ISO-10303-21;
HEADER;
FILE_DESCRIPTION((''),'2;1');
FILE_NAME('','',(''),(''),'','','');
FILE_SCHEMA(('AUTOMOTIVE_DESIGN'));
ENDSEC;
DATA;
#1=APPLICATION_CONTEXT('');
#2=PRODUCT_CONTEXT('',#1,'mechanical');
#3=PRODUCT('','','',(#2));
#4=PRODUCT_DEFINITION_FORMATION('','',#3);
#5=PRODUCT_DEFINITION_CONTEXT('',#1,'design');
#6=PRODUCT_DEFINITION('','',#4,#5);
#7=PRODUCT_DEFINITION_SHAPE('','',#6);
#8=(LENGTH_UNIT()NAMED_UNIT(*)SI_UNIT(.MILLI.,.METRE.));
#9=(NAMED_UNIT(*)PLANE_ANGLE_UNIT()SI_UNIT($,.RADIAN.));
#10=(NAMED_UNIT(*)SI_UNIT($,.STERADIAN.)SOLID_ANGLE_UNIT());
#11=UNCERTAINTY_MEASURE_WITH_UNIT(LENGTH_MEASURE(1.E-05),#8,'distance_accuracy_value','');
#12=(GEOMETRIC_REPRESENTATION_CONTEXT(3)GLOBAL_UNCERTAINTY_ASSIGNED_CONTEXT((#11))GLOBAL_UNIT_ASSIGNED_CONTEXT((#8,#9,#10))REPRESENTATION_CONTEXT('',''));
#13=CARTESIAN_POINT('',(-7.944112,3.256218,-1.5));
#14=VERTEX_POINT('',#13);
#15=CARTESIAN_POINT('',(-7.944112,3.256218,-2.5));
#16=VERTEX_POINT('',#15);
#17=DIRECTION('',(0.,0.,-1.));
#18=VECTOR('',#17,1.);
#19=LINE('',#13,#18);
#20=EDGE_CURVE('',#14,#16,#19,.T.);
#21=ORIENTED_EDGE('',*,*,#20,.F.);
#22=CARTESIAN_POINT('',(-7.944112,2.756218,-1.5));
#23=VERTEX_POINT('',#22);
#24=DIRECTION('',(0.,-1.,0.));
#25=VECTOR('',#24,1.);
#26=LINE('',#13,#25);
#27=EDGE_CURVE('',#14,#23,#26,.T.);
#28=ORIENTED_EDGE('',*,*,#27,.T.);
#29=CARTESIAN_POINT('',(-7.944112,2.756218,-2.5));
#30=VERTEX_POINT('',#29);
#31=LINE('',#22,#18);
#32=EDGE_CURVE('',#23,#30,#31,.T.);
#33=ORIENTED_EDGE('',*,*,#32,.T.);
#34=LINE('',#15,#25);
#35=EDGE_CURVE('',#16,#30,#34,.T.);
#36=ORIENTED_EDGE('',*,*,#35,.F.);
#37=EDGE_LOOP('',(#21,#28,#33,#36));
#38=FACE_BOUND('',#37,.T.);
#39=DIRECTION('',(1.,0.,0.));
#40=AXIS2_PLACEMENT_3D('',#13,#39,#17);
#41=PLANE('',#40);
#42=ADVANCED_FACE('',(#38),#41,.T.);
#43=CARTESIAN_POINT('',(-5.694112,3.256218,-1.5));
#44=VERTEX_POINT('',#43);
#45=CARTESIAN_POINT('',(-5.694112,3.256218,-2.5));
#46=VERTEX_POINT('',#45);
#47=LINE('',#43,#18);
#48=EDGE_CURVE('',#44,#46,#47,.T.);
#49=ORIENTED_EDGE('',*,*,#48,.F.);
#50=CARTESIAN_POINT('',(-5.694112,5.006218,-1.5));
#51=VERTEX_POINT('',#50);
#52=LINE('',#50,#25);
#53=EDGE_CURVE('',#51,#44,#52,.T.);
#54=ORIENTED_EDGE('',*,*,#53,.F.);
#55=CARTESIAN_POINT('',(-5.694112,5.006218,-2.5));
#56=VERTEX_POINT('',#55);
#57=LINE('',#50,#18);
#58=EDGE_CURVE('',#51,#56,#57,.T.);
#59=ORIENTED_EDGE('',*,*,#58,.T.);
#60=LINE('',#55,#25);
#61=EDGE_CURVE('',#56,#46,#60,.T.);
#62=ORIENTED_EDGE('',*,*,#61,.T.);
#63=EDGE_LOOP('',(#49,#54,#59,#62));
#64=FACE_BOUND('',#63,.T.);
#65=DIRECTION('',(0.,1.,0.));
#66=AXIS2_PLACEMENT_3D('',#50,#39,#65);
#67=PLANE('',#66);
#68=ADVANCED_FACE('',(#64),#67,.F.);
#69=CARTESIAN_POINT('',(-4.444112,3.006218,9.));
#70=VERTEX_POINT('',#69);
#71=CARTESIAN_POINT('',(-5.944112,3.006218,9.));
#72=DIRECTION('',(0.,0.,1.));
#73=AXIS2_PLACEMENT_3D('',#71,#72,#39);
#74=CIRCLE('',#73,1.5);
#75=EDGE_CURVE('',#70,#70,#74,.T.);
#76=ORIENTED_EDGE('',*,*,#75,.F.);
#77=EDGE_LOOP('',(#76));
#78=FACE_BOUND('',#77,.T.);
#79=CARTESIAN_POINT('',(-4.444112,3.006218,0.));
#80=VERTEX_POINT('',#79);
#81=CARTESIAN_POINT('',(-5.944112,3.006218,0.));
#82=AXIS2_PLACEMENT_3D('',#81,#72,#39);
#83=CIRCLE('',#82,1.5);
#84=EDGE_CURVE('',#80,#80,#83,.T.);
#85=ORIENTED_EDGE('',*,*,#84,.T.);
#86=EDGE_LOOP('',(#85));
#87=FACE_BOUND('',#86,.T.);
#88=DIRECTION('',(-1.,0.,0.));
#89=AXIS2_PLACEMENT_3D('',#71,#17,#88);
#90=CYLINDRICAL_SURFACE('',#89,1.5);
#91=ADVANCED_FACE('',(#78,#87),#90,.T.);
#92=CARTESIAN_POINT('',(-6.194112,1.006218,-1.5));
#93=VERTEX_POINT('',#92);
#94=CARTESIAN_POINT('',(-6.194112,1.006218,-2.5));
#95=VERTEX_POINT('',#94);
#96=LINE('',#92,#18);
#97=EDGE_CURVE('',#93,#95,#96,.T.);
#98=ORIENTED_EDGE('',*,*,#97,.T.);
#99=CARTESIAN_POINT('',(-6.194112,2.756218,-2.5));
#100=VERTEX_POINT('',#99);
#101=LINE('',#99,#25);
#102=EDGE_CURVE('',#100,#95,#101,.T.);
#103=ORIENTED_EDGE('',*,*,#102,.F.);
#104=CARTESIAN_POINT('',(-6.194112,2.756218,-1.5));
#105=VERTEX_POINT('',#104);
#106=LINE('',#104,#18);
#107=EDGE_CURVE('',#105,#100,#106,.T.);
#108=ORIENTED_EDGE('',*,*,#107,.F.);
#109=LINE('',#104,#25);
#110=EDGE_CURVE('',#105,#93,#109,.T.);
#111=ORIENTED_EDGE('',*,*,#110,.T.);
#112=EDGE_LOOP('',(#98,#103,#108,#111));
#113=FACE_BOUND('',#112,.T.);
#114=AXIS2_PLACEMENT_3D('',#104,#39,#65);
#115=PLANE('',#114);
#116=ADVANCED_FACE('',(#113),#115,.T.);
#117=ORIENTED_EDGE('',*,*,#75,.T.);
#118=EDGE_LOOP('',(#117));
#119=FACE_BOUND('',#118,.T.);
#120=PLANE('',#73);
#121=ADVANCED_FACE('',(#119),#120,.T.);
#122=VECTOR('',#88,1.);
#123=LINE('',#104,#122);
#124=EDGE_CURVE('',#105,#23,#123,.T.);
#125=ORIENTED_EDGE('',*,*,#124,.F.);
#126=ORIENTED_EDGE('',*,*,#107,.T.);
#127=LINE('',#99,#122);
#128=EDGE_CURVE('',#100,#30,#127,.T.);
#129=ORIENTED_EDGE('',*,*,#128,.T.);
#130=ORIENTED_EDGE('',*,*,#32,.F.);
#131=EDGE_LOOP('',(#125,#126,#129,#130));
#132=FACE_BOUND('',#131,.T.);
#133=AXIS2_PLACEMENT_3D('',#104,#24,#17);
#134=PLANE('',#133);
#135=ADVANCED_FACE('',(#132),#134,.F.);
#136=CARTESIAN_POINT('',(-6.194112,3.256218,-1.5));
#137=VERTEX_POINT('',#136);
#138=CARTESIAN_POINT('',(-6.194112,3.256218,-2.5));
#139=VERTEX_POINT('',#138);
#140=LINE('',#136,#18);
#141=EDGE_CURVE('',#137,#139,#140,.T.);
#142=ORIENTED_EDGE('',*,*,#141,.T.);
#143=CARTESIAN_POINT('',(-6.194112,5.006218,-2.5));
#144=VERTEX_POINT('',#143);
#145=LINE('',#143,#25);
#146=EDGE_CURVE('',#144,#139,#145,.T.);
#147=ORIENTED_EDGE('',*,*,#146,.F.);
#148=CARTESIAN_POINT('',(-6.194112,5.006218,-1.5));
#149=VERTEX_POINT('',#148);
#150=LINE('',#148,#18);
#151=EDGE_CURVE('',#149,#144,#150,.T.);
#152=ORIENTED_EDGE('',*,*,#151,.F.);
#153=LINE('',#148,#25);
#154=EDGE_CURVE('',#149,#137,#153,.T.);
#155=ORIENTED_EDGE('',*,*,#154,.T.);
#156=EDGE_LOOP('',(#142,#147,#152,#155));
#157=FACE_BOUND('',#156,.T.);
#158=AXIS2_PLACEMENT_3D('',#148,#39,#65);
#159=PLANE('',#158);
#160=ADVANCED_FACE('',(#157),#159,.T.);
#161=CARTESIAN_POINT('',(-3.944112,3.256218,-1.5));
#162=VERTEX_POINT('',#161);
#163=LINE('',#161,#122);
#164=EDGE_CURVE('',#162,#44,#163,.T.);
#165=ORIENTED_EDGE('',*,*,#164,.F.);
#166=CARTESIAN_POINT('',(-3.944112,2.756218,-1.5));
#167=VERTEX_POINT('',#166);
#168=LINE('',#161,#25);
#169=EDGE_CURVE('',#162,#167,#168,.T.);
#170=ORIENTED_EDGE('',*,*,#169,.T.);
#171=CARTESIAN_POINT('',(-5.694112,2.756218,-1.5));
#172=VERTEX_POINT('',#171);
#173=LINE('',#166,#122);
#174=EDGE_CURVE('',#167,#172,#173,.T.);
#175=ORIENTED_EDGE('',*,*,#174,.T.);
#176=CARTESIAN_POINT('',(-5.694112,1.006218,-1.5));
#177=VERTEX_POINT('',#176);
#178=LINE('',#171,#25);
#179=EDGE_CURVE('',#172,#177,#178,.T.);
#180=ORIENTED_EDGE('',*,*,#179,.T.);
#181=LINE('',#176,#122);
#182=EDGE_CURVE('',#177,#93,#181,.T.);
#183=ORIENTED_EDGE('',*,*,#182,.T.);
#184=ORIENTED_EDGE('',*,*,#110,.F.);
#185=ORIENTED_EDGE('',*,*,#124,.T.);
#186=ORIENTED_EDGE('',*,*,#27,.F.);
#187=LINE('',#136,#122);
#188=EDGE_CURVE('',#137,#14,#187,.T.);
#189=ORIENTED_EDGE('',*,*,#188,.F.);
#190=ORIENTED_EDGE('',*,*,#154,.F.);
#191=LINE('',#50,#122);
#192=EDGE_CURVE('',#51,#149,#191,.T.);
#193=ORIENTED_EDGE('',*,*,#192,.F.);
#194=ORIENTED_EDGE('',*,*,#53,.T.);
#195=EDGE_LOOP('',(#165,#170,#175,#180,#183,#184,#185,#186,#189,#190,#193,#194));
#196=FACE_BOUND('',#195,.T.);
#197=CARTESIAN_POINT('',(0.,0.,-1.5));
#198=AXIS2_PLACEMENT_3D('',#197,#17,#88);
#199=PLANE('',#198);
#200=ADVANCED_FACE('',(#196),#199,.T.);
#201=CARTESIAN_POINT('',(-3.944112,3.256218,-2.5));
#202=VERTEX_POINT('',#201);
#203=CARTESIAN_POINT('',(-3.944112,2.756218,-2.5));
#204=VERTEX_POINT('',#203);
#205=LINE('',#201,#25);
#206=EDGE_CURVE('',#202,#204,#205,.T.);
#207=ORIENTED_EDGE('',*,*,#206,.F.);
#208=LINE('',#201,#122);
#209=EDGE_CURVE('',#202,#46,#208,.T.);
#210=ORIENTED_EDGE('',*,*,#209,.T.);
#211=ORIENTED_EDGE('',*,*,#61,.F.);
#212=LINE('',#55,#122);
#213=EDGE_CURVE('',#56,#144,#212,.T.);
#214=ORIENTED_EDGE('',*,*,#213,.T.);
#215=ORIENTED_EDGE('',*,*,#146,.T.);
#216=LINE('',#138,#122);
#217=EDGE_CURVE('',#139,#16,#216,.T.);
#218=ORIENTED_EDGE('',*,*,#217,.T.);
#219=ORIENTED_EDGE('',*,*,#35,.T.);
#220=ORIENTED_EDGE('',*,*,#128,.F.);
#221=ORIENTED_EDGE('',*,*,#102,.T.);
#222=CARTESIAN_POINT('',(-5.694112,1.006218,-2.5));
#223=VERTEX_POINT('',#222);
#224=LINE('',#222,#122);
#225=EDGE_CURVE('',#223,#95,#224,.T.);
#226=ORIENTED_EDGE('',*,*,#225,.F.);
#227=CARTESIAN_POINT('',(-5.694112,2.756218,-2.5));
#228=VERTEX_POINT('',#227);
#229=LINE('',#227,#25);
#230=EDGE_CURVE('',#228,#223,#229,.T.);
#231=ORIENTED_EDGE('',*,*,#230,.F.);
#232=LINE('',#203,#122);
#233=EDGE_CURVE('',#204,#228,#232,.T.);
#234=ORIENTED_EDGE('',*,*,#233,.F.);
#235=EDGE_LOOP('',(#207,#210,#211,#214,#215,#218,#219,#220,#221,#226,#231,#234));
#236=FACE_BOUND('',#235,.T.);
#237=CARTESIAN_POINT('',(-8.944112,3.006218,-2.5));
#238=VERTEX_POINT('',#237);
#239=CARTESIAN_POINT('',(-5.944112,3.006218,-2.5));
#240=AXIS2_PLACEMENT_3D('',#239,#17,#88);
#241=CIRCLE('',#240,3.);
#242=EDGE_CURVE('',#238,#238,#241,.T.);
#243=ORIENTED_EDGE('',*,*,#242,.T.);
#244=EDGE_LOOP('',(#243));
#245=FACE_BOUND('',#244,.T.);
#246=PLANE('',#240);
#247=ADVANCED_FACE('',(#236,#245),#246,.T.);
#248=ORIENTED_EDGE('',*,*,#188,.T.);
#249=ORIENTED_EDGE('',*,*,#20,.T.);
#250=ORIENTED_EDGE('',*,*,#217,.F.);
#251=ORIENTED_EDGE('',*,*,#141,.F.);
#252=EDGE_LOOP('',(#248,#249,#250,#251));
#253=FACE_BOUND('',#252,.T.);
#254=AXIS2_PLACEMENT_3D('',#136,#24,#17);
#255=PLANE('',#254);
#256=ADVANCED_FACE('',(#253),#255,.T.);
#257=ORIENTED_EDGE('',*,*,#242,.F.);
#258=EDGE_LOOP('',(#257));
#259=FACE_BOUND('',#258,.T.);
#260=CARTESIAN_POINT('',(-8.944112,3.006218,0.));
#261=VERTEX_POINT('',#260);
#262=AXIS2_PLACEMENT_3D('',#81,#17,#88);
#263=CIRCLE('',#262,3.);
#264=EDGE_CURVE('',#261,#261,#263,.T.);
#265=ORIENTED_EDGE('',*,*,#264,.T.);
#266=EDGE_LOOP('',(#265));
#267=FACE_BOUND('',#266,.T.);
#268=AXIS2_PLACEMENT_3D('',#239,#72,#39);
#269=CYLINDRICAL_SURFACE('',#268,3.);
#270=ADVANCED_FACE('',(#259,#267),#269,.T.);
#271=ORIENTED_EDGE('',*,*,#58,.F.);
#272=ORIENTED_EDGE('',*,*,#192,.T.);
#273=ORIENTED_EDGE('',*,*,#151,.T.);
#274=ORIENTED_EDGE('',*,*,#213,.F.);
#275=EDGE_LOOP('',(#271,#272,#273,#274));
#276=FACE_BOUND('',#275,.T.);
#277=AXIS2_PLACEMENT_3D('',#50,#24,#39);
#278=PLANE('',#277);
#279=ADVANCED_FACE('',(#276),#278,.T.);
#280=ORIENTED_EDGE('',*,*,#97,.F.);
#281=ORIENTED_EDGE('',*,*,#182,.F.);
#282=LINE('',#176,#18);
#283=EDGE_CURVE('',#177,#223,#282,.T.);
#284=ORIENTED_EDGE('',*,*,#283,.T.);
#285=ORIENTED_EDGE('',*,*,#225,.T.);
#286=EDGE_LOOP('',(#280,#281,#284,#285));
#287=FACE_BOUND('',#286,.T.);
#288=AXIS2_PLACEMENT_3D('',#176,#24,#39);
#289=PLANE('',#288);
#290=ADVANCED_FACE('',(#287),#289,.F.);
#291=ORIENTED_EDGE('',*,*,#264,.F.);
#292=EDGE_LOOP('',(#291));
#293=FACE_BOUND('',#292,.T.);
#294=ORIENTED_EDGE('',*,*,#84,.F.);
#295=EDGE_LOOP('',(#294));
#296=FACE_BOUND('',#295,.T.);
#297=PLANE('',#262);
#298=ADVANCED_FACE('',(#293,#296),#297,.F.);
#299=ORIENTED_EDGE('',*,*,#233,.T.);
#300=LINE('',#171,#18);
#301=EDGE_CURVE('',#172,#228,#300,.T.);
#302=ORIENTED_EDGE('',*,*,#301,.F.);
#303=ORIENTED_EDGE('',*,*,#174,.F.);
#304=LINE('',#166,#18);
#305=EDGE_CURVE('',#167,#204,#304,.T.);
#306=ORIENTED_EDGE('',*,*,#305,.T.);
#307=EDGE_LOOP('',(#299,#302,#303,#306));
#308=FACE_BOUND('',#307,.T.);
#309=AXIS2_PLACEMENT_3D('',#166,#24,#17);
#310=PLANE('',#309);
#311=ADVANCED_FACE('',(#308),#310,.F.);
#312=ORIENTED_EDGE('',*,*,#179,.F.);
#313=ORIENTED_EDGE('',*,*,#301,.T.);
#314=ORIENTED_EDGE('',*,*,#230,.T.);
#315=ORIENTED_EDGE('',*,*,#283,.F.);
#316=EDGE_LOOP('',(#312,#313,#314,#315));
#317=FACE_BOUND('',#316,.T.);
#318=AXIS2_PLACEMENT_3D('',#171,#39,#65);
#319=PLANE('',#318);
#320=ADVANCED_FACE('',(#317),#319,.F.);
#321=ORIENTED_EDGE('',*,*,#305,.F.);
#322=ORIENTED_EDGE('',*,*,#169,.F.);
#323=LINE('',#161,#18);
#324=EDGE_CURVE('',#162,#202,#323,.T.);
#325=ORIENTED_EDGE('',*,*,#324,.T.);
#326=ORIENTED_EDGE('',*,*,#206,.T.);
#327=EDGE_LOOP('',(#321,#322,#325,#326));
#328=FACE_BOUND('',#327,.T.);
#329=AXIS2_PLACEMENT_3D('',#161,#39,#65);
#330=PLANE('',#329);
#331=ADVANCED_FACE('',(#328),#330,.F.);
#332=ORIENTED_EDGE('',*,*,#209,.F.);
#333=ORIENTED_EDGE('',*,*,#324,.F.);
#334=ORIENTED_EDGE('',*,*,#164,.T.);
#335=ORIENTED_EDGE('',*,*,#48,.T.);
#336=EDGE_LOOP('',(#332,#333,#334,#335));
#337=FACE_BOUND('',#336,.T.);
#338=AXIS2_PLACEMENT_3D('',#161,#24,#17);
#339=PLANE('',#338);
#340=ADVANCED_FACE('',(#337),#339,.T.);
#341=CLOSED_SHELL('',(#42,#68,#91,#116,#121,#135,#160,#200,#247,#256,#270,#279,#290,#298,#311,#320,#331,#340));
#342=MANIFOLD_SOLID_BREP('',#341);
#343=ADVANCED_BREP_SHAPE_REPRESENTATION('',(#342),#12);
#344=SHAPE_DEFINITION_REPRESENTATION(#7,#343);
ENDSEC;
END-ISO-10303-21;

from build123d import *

# Parameters (mm, degrees)
SKETCH_1_R          = 1.5
EXTRUDE_1_DEPTH     = 9
SKETCH_2_R          = 3
EXTRUDE_2_DEPTH     = 2.5
CUT_EXTRUDE_3_DEPTH = 1


with BuildPart() as part:
    # 草图1 → 凸台-拉伸1 (new body)
    with BuildSketch(Plane.XY):
        with Locations((-5.944112119, 3.006217623)):
            Circle(SKETCH_1_R)
    extrude(amount=EXTRUDE_1_DEPTH)

    # 草图2 → 凸台-拉伸2 (add)
    with BuildSketch(Plane(origin=(0, 0, 0), x_dir=(-1, 0, 0), z_dir=(0, 0, -1))):
        with Locations((5.944112119, 3.006217623)):
            Circle(SKETCH_2_R)
    extrude(amount=EXTRUDE_2_DEPTH)

    # 草图4 → 切除-拉伸3 (cut)
    with BuildSketch(Plane(origin=(0, 0, -2.5), x_dir=(-1, 0, 0), z_dir=(0, 0, -1))):
        Polygon((3.944112119, 3.256217623), (5.694112119, 3.256217623), (5.694112119, 5.006217623), (6.194112119, 5.006217623), (6.194112119, 3.256217623), (7.944112119, 3.256217623), (7.944112119, 2.756217623), (6.194112119, 2.756217623), (6.194112119, 1.006217623), (5.694112119, 1.006217623), (5.694112119, 2.756217623), (3.944112119, 2.756217623), align=None)
    extrude(amount=-CUT_EXTRUDE_3_DEPTH, mode=Mode.SUBTRACT)


solid = part.part
